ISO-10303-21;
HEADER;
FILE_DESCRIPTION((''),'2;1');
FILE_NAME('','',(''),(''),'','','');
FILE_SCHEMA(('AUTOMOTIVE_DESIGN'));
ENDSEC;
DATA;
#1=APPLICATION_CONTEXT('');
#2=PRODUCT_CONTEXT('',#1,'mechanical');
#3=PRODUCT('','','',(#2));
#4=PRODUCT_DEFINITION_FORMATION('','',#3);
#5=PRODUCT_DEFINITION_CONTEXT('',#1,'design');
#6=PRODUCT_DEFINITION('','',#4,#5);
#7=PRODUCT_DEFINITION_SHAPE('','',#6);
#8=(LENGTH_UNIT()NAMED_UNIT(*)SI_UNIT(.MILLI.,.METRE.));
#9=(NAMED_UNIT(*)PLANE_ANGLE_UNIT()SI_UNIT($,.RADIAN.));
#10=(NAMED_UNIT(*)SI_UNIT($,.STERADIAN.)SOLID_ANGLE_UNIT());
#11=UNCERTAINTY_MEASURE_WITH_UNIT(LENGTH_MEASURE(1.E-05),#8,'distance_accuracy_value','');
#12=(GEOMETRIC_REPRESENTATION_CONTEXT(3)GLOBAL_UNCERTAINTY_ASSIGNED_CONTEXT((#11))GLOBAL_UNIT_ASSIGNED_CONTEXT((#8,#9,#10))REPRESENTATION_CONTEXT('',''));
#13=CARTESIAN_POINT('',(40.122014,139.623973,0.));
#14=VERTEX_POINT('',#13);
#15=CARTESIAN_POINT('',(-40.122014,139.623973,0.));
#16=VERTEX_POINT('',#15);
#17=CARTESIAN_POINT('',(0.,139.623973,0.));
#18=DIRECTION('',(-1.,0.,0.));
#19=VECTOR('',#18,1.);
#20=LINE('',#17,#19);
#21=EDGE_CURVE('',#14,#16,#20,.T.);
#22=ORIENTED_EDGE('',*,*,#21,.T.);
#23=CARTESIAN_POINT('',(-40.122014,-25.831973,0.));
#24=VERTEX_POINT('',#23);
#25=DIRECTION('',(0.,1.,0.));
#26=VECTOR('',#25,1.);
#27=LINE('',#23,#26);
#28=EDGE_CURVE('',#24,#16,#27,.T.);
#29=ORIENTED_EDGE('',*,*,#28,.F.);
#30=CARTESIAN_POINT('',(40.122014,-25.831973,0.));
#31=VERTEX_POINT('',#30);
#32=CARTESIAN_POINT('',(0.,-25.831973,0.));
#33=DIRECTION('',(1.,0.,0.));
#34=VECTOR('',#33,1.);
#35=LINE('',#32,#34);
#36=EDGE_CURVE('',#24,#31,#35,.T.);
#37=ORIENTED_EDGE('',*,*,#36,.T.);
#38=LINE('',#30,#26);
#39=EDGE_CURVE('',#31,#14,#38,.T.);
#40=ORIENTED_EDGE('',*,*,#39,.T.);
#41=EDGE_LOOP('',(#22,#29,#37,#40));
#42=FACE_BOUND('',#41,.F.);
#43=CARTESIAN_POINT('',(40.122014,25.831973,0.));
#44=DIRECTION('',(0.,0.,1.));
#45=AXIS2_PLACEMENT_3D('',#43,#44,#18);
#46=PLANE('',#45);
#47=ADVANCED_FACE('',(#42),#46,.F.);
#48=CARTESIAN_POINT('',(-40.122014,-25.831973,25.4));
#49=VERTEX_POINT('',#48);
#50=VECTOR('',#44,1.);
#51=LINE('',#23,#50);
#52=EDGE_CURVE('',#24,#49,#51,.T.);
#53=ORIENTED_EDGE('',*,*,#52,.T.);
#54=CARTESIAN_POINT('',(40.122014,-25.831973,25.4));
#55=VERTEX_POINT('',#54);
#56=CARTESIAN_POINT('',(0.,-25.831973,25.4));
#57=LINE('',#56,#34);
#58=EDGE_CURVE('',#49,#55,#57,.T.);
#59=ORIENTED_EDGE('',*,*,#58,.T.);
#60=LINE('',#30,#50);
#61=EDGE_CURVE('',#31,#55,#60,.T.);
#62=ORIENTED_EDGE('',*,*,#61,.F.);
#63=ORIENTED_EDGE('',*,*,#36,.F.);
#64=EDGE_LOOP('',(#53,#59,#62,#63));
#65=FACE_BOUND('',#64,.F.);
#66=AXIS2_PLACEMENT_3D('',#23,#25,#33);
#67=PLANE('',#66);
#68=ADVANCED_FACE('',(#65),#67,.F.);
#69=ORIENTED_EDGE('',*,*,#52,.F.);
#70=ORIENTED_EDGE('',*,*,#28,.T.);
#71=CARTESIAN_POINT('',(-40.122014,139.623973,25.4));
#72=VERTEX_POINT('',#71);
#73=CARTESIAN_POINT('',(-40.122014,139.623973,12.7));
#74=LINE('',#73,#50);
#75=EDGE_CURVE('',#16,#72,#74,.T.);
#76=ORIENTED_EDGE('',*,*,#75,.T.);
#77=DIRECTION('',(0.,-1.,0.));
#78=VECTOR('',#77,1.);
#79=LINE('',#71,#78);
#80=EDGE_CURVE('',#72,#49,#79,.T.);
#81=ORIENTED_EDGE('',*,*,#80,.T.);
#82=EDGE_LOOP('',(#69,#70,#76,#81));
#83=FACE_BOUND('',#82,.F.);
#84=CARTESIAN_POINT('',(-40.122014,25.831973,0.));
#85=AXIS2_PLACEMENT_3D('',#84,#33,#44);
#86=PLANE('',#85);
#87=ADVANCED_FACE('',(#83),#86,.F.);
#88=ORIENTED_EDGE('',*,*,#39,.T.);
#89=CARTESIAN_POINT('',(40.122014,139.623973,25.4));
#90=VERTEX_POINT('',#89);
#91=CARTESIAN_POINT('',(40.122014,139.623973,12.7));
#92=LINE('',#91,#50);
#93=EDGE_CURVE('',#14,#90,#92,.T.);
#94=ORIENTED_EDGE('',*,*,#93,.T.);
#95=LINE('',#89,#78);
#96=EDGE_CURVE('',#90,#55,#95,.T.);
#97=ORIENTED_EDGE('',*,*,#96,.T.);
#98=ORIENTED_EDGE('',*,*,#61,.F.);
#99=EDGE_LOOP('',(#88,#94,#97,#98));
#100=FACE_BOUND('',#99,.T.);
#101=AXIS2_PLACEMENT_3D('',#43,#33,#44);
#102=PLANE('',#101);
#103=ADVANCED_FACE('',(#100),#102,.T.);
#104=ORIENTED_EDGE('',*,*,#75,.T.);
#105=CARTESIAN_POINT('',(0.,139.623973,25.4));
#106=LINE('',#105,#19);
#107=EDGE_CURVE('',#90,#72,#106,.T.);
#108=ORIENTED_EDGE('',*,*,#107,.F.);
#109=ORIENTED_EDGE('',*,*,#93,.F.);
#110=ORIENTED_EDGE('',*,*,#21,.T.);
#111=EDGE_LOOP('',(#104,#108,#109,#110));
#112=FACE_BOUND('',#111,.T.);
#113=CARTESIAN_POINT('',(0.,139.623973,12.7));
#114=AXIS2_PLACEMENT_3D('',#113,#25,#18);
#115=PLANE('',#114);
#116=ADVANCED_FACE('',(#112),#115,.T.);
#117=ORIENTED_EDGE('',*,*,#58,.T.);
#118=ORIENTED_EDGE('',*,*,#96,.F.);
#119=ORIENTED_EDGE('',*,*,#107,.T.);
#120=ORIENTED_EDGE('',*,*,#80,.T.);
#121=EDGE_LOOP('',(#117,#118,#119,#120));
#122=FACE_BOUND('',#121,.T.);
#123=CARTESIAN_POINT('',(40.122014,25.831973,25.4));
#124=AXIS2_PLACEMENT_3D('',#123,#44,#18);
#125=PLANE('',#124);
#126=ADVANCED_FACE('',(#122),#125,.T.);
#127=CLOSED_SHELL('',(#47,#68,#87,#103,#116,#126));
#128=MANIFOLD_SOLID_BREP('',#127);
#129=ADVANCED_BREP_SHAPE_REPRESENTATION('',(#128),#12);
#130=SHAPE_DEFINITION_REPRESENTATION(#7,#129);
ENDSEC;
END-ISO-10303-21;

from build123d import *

# Parameters (mm, degrees)
F0_W      = 80.244028
F0_H      = 51.663946
F2_DEPTH  = 25.4
F1_R      = 12.351096
F3_DEPTH  = 25.4
F4_R      = 18.898504
F5_DEPTH  = 25.4
F2_FACE_W = 80.244028
F2_FACE_H = 25.4
F6_DEPTH  = 113.792


with BuildPart() as f2:
    # F0 (on Top) → F2 (new body)
    with BuildSketch(Plane.XY):
        Rectangle(F0_W, F0_H)
    extrude(amount=F2_DEPTH)

    # F1 (on Top) → F3 (join)
    with BuildSketch(Plane.XY):
        Circle(F1_R)
    extrude(amount=F3_DEPTH)

    # F4 (on Top) → F5 (join)
    with BuildSketch(Plane.XY):
        Circle(F4_R)
    extrude(amount=F5_DEPTH)

    # F2_face (on face) → F6 (join)
    with BuildSketch(Plane(origin=(0, 25.831973, 12.7), x_dir=(-1, 0, 0), z_dir=(0, 1, 0))):
        Rectangle(F2_FACE_W, F2_FACE_H)
    extrude(amount=F6_DEPTH)


solid = f2.part
